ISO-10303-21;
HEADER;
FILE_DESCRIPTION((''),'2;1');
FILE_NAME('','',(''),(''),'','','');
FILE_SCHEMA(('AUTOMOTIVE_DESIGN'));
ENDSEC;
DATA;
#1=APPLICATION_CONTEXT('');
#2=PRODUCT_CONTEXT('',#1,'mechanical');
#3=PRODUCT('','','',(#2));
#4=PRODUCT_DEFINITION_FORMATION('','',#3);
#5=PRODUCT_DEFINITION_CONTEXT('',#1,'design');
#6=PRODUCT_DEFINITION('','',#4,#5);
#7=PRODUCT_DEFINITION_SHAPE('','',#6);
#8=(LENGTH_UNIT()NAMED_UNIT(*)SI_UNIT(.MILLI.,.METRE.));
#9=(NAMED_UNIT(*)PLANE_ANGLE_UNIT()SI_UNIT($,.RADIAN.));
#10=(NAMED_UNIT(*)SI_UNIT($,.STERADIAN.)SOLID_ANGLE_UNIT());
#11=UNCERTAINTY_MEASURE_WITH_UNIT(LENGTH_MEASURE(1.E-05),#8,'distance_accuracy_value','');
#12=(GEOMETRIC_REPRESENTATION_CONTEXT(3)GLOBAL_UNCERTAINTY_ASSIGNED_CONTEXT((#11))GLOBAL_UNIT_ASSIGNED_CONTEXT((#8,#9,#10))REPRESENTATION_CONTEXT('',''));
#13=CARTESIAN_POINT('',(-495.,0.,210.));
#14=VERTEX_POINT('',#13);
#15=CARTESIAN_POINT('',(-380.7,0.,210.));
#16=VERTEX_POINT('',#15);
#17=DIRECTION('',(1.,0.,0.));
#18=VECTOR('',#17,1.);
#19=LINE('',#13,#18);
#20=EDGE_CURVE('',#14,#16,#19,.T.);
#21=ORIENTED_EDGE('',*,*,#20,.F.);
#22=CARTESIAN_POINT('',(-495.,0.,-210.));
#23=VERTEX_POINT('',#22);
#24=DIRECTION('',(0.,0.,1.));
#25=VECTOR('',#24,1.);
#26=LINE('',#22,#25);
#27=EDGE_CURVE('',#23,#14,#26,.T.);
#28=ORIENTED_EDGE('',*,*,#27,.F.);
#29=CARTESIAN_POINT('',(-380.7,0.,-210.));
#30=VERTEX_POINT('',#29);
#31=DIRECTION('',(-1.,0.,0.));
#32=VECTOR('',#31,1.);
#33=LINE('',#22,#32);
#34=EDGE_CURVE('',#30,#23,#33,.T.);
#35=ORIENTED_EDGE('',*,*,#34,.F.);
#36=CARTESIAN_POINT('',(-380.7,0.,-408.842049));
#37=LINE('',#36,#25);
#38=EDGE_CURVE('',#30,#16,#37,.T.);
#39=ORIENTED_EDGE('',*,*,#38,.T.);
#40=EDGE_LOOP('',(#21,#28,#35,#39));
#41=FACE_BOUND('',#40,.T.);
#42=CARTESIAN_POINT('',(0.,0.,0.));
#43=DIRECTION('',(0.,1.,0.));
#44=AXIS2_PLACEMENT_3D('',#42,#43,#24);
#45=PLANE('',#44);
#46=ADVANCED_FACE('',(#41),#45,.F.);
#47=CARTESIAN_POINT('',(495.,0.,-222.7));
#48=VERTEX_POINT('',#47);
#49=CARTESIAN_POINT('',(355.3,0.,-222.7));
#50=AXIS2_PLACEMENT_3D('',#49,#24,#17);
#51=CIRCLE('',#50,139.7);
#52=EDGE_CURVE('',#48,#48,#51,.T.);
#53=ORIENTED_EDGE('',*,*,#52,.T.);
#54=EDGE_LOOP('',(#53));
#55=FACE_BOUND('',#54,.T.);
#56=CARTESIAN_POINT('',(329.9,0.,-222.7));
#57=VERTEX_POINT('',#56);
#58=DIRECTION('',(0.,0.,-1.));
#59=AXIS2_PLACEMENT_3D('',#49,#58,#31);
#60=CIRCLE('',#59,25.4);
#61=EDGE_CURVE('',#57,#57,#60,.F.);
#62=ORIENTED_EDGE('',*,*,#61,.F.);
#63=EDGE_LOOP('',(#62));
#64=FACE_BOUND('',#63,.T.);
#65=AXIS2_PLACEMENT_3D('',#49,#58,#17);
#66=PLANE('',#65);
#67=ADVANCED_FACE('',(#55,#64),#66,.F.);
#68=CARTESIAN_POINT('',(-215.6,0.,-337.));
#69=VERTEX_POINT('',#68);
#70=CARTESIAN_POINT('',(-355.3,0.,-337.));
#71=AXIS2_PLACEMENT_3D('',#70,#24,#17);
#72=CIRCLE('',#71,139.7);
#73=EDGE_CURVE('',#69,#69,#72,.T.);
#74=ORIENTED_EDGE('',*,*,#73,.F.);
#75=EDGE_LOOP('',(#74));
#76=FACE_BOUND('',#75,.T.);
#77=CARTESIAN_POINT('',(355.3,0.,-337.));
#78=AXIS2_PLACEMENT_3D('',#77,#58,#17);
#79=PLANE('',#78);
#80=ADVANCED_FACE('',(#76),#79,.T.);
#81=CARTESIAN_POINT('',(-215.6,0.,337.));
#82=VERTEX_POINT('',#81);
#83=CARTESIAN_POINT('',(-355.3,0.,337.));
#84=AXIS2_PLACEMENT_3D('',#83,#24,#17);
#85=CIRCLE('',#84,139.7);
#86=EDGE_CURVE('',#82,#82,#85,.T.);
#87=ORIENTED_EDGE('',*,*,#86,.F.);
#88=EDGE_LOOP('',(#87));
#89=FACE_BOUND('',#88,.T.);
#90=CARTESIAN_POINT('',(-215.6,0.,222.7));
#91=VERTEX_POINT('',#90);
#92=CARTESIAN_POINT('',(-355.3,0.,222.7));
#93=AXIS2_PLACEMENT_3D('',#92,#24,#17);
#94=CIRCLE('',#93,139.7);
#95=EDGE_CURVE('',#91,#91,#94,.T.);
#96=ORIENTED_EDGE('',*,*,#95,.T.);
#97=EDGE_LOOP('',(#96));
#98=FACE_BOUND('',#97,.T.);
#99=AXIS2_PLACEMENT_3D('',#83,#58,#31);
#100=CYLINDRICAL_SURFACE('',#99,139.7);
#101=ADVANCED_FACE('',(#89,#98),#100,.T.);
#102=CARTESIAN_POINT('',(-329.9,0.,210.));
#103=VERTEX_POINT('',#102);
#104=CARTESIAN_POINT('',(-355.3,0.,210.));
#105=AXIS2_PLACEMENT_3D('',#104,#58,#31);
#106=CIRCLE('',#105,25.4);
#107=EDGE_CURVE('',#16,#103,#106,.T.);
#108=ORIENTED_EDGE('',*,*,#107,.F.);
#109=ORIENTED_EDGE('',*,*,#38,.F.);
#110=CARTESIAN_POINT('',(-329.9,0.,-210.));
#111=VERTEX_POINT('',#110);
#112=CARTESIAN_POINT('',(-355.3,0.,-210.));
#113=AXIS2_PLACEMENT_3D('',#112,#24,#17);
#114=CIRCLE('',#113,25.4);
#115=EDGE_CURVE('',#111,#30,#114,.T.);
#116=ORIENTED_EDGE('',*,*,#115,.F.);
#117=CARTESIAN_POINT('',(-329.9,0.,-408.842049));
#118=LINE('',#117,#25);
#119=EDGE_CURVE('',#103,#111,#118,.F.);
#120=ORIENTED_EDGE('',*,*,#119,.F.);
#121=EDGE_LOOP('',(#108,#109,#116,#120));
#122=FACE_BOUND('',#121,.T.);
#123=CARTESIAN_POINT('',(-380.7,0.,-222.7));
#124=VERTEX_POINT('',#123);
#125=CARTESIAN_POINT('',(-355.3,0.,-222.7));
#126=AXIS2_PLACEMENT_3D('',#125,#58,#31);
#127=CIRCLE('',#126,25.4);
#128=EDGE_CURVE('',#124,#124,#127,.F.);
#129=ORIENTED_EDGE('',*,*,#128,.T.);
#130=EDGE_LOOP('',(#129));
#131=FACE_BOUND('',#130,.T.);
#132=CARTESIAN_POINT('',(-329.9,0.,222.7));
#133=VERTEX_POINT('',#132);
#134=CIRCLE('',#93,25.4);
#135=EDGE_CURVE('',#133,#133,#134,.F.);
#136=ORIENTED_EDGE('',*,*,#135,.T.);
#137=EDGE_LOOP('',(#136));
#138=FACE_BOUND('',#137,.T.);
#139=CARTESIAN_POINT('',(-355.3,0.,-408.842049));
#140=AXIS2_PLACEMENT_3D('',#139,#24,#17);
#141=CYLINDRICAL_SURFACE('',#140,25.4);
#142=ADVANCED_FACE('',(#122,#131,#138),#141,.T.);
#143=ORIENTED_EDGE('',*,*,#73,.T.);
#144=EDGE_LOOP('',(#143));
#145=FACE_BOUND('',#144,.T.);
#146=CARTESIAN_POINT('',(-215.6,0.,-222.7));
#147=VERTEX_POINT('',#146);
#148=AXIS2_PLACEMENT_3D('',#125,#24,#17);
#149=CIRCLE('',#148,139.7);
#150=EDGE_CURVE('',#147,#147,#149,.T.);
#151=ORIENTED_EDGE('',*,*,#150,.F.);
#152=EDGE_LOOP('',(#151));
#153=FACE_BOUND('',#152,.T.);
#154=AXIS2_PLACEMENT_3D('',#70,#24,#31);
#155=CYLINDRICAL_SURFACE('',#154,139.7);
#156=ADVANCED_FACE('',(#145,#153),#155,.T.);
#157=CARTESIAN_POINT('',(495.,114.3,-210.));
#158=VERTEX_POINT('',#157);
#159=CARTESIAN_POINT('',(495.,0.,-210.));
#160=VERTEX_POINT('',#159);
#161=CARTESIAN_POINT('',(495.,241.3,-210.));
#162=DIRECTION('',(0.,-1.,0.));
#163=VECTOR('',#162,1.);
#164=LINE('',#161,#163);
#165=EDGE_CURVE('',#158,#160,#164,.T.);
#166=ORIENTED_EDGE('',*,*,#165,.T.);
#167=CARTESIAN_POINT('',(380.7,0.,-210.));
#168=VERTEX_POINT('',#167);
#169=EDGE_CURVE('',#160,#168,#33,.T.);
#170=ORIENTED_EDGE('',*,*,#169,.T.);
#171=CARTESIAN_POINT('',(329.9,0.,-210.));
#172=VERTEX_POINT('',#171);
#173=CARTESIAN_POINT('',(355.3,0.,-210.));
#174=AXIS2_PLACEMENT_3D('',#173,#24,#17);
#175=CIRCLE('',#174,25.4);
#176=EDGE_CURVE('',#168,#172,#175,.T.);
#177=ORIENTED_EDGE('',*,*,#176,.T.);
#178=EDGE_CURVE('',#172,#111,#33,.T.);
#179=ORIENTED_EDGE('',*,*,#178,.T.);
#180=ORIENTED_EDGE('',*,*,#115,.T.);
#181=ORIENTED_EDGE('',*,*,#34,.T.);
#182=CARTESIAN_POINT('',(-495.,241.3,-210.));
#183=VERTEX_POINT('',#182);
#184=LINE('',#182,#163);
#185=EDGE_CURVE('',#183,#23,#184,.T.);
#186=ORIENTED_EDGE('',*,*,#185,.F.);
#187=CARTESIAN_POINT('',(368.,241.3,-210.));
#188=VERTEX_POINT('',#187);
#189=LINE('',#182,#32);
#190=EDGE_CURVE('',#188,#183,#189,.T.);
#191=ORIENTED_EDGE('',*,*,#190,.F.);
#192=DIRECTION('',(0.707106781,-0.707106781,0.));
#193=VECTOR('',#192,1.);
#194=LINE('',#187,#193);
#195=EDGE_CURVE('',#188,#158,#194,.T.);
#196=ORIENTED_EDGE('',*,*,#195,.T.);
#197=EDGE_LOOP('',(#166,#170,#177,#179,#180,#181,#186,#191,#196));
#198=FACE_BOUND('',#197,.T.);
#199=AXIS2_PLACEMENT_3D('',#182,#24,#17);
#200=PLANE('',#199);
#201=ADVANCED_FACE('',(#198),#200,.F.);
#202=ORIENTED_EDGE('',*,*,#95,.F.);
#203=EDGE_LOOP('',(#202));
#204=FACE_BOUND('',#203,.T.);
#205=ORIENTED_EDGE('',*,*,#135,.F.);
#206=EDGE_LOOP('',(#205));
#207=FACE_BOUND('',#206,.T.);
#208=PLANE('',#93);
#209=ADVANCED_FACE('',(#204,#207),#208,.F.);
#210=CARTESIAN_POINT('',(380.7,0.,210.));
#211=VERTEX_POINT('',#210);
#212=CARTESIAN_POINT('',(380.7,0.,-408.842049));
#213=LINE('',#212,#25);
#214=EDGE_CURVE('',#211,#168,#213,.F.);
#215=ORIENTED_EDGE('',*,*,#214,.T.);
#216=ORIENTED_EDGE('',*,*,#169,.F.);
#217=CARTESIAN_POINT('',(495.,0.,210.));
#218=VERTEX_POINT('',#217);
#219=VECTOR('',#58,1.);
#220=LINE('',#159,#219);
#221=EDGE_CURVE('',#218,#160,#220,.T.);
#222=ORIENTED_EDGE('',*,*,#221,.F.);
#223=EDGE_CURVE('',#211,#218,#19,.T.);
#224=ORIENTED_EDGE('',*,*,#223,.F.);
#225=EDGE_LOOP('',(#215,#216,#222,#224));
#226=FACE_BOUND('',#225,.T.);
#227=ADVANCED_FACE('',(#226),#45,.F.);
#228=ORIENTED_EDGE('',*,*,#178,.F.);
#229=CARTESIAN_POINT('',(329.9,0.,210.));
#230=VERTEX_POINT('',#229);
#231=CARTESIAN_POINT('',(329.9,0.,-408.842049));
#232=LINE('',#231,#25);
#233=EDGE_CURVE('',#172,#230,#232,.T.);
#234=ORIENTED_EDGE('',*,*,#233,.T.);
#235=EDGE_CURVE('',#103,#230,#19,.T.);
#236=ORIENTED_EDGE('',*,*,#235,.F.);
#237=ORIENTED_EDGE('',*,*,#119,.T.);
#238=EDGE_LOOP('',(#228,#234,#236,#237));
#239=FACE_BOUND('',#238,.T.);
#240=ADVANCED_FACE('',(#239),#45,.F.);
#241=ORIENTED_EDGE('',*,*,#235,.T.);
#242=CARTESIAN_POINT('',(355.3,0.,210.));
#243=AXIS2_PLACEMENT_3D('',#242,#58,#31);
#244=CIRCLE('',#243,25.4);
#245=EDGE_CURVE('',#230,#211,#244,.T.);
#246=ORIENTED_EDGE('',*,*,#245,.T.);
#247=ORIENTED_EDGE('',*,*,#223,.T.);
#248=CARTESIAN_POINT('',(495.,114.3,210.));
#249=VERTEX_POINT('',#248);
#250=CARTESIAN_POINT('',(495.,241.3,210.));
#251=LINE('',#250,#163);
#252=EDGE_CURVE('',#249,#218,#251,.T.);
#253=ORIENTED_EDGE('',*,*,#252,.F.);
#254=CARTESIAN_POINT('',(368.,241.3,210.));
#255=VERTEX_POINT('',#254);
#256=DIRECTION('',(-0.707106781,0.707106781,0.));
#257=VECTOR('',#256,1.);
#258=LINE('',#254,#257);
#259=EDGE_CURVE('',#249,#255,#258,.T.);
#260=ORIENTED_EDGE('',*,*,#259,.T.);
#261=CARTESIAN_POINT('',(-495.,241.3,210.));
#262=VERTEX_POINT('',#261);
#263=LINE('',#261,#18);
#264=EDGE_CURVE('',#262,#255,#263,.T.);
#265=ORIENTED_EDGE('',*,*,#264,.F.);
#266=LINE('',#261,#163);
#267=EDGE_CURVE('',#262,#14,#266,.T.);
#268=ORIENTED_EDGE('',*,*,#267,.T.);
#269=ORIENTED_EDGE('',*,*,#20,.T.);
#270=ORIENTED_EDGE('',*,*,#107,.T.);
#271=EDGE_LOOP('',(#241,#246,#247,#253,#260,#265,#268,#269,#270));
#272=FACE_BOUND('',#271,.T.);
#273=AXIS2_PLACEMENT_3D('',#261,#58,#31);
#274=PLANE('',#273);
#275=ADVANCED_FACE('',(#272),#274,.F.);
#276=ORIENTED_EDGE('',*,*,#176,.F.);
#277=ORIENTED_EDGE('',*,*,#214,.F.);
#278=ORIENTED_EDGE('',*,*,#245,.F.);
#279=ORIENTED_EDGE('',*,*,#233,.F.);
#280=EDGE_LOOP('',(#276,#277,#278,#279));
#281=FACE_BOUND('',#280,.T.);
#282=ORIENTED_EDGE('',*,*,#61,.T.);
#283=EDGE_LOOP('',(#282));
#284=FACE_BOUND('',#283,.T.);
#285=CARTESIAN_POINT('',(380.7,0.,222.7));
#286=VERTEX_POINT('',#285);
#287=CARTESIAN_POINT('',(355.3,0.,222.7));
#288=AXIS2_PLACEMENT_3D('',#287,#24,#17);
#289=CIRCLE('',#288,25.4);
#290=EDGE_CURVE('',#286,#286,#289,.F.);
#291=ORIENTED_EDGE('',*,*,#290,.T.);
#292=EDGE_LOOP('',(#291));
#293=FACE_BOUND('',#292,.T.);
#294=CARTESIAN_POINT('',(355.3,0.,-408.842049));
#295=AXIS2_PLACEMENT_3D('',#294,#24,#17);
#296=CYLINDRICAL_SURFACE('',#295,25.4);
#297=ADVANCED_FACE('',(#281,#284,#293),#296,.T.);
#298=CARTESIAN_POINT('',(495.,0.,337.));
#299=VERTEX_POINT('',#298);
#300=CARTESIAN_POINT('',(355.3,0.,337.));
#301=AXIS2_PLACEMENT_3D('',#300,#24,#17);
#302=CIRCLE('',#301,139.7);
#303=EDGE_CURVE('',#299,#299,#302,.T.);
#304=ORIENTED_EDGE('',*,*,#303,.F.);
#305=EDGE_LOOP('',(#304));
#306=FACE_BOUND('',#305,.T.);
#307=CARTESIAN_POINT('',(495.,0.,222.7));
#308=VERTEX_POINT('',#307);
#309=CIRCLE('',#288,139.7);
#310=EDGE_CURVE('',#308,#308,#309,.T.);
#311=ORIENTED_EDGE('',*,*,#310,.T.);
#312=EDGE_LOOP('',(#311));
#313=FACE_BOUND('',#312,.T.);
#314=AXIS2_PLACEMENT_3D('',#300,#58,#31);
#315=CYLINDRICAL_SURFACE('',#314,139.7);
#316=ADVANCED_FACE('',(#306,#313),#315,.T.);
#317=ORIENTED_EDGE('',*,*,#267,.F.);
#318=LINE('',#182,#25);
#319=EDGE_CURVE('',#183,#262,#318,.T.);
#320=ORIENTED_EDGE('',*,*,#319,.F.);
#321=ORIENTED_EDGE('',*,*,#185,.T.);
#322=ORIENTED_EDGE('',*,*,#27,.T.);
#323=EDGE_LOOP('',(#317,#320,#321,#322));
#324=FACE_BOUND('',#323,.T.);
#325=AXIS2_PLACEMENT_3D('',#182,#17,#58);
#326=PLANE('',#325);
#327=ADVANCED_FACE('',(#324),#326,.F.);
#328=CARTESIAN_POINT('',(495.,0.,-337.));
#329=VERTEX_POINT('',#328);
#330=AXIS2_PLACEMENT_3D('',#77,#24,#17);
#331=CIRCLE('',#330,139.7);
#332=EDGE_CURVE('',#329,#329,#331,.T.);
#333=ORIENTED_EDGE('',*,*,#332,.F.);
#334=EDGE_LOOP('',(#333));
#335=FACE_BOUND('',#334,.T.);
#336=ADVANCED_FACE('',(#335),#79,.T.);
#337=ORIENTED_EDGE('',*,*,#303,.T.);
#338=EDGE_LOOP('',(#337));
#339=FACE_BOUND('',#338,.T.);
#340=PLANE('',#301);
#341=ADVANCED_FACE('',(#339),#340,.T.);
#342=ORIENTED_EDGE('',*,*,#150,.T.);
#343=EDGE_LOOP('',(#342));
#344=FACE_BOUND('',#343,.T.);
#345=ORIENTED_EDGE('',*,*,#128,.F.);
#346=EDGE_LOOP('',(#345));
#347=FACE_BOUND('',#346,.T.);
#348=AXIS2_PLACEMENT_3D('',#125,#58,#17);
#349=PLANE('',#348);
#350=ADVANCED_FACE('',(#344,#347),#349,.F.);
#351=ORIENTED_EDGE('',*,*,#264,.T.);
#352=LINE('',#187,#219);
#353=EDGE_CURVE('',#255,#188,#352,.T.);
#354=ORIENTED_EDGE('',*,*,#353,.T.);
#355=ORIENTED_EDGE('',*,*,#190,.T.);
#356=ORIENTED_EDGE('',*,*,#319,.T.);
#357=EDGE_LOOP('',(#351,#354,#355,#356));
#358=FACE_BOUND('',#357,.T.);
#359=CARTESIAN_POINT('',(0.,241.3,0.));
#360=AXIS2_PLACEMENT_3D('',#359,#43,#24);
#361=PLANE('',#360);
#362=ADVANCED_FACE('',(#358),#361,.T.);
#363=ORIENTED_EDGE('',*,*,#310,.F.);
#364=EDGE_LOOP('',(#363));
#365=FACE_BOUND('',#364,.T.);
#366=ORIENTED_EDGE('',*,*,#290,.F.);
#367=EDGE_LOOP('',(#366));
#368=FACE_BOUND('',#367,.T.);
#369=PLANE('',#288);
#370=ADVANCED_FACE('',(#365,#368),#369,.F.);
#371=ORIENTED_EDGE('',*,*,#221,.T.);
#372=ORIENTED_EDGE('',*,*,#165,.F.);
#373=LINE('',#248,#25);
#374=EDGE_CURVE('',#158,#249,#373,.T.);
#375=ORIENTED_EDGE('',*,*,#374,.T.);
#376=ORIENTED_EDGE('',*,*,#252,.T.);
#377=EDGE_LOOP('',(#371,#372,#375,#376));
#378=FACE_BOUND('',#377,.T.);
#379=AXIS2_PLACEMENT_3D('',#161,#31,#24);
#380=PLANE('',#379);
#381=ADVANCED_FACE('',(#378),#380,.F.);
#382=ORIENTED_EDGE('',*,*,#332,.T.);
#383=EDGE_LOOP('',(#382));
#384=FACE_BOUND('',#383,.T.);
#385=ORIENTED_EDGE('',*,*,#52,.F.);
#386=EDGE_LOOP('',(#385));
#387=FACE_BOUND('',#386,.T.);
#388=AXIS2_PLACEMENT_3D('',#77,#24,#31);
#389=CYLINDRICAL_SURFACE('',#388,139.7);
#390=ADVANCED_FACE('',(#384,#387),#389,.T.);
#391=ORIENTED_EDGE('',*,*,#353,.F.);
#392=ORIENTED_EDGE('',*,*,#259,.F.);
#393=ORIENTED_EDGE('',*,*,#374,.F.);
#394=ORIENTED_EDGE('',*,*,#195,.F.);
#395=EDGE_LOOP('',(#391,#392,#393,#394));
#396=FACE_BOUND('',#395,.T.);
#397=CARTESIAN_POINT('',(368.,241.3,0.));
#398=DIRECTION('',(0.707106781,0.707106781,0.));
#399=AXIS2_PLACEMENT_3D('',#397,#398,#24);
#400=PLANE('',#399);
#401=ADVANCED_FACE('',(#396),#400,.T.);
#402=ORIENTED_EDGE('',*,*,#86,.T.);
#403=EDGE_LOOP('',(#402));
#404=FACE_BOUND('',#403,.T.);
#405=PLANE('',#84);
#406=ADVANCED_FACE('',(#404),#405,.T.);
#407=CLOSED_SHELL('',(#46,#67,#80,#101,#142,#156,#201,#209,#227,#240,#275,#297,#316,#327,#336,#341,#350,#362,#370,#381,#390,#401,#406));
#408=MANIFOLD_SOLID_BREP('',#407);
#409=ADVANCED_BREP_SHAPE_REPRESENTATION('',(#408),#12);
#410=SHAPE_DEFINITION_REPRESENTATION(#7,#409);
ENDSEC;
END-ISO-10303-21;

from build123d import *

# Parameters (mm, degrees)
SKETCH1_W             = 990
SKETCH1_H             = 420
BOSS_EXTRUDE1_DEPTH   = 241.3
BOSS_EXTRUDE2_START   = 12.7
SKETCH2_R             = 139.7
BOSS_EXTRUDE2_DEPTH   = 114.3
BOSS_EXTRUDE2_2_DEPTH = 114.3
BOSS_EXTRUDE3_REACH   = 872.36
SKETCH3_R             = 25.4
CHAMFER1_SIZE         = 127


with BuildPart() as part:
    # Sketch1 → Boss-Extrude1 (new body)
    with BuildSketch(Plane(origin=(0, 0, 0), x_dir=(1, 0, 0), z_dir=(0, 1, 0))):
        Rectangle(SKETCH1_W, SKETCH1_H)
    extrude(amount=BOSS_EXTRUDE1_DEPTH)


with BuildPart() as body_2:
    # Sketch2 → Boss-Extrude2 (new body)
    with BuildSketch(Plane.XY.offset(210).offset(BOSS_EXTRUDE2_START)):
        with Locations((-355.3, 0)):
            Circle(SKETCH2_R)
    extrude(amount=BOSS_EXTRUDE2_DEPTH)


with BuildPart() as body_3:
    # Sketch2 → Boss-Extrude2 2 (new body)
    with BuildSketch(Plane.XY.offset(210).offset(BOSS_EXTRUDE2_START)):
        with Locations((355.3, 0)):
            Circle(SKETCH2_R)
    extrude(amount=BOSS_EXTRUDE2_2_DEPTH)


with BuildPart() as body_4:
    # Mirror2: mirrored copy
    add(body_3.part.mirror(Plane.XY))

    # Boss-Extrude3: up to this face of the body (flat: up to its plane)
    boss_extrude3_end = Plane(body_4.part.faces().sort_by_distance((355.3, 0, -337))[0])
    # Sketch3 → Boss-Extrude3 (add, up to the picked face)
    with BuildSketch(Plane.XY.offset(337), mode=Mode.PRIVATE) as boss_extrude3_sk1:
        with Locations((-355.3, 0)):
            Circle(SKETCH3_R)
    boss_extrude3_tool1 = split(extrude(boss_extrude3_sk1.sketch, amount=-BOSS_EXTRUDE3_REACH, mode=Mode.PRIVATE), bisect_by=boss_extrude3_end, keep=Keep.BOTH, mode=Mode.PRIVATE)
    # Sketch3 → Boss-Extrude3 (add, up to the picked face)
    with BuildSketch(Plane.XY.offset(337), mode=Mode.PRIVATE) as boss_extrude3_sk2:
        with Locations((355.3, 0)):
            Circle(SKETCH3_R)
    boss_extrude3_tool2 = split(extrude(boss_extrude3_sk2.sketch, amount=-BOSS_EXTRUDE3_REACH, mode=Mode.PRIVATE), bisect_by=boss_extrude3_end, keep=Keep.BOTH, mode=Mode.PRIVATE)

    add(part.part)  # Boss-Extrude3 merges part

    add(body_2.part)  # Boss-Extrude3 merges body 2

    add(body_3.part)  # Boss-Extrude3 merges body 3


with BuildPart() as body_5:
    # Mirror2 2: mirrored copy
    add(body_2.part.mirror(Plane.XY))


with BuildPart() as body_4_1:
    add(body_4.part)

    add(body_5.part)  # Boss-Extrude3 merges body 5
    add(boss_extrude3_tool1.solids().sort_by(Axis((-355.3, 0, 337), (0, 0, -1)))[0])
    add(boss_extrude3_tool2.solids().sort_by(Axis((355.3, 0, 337), (0, 0, -1)))[0])

    # Chamfer1
    chamfer1_edges = [body_4_1.edges().sort_by_distance(p)[0] for p in [
        (495, 241.3, 0),
    ]]
    chamfer(chamfer1_edges, length=CHAMFER1_SIZE)


solid = body_4_1.part
